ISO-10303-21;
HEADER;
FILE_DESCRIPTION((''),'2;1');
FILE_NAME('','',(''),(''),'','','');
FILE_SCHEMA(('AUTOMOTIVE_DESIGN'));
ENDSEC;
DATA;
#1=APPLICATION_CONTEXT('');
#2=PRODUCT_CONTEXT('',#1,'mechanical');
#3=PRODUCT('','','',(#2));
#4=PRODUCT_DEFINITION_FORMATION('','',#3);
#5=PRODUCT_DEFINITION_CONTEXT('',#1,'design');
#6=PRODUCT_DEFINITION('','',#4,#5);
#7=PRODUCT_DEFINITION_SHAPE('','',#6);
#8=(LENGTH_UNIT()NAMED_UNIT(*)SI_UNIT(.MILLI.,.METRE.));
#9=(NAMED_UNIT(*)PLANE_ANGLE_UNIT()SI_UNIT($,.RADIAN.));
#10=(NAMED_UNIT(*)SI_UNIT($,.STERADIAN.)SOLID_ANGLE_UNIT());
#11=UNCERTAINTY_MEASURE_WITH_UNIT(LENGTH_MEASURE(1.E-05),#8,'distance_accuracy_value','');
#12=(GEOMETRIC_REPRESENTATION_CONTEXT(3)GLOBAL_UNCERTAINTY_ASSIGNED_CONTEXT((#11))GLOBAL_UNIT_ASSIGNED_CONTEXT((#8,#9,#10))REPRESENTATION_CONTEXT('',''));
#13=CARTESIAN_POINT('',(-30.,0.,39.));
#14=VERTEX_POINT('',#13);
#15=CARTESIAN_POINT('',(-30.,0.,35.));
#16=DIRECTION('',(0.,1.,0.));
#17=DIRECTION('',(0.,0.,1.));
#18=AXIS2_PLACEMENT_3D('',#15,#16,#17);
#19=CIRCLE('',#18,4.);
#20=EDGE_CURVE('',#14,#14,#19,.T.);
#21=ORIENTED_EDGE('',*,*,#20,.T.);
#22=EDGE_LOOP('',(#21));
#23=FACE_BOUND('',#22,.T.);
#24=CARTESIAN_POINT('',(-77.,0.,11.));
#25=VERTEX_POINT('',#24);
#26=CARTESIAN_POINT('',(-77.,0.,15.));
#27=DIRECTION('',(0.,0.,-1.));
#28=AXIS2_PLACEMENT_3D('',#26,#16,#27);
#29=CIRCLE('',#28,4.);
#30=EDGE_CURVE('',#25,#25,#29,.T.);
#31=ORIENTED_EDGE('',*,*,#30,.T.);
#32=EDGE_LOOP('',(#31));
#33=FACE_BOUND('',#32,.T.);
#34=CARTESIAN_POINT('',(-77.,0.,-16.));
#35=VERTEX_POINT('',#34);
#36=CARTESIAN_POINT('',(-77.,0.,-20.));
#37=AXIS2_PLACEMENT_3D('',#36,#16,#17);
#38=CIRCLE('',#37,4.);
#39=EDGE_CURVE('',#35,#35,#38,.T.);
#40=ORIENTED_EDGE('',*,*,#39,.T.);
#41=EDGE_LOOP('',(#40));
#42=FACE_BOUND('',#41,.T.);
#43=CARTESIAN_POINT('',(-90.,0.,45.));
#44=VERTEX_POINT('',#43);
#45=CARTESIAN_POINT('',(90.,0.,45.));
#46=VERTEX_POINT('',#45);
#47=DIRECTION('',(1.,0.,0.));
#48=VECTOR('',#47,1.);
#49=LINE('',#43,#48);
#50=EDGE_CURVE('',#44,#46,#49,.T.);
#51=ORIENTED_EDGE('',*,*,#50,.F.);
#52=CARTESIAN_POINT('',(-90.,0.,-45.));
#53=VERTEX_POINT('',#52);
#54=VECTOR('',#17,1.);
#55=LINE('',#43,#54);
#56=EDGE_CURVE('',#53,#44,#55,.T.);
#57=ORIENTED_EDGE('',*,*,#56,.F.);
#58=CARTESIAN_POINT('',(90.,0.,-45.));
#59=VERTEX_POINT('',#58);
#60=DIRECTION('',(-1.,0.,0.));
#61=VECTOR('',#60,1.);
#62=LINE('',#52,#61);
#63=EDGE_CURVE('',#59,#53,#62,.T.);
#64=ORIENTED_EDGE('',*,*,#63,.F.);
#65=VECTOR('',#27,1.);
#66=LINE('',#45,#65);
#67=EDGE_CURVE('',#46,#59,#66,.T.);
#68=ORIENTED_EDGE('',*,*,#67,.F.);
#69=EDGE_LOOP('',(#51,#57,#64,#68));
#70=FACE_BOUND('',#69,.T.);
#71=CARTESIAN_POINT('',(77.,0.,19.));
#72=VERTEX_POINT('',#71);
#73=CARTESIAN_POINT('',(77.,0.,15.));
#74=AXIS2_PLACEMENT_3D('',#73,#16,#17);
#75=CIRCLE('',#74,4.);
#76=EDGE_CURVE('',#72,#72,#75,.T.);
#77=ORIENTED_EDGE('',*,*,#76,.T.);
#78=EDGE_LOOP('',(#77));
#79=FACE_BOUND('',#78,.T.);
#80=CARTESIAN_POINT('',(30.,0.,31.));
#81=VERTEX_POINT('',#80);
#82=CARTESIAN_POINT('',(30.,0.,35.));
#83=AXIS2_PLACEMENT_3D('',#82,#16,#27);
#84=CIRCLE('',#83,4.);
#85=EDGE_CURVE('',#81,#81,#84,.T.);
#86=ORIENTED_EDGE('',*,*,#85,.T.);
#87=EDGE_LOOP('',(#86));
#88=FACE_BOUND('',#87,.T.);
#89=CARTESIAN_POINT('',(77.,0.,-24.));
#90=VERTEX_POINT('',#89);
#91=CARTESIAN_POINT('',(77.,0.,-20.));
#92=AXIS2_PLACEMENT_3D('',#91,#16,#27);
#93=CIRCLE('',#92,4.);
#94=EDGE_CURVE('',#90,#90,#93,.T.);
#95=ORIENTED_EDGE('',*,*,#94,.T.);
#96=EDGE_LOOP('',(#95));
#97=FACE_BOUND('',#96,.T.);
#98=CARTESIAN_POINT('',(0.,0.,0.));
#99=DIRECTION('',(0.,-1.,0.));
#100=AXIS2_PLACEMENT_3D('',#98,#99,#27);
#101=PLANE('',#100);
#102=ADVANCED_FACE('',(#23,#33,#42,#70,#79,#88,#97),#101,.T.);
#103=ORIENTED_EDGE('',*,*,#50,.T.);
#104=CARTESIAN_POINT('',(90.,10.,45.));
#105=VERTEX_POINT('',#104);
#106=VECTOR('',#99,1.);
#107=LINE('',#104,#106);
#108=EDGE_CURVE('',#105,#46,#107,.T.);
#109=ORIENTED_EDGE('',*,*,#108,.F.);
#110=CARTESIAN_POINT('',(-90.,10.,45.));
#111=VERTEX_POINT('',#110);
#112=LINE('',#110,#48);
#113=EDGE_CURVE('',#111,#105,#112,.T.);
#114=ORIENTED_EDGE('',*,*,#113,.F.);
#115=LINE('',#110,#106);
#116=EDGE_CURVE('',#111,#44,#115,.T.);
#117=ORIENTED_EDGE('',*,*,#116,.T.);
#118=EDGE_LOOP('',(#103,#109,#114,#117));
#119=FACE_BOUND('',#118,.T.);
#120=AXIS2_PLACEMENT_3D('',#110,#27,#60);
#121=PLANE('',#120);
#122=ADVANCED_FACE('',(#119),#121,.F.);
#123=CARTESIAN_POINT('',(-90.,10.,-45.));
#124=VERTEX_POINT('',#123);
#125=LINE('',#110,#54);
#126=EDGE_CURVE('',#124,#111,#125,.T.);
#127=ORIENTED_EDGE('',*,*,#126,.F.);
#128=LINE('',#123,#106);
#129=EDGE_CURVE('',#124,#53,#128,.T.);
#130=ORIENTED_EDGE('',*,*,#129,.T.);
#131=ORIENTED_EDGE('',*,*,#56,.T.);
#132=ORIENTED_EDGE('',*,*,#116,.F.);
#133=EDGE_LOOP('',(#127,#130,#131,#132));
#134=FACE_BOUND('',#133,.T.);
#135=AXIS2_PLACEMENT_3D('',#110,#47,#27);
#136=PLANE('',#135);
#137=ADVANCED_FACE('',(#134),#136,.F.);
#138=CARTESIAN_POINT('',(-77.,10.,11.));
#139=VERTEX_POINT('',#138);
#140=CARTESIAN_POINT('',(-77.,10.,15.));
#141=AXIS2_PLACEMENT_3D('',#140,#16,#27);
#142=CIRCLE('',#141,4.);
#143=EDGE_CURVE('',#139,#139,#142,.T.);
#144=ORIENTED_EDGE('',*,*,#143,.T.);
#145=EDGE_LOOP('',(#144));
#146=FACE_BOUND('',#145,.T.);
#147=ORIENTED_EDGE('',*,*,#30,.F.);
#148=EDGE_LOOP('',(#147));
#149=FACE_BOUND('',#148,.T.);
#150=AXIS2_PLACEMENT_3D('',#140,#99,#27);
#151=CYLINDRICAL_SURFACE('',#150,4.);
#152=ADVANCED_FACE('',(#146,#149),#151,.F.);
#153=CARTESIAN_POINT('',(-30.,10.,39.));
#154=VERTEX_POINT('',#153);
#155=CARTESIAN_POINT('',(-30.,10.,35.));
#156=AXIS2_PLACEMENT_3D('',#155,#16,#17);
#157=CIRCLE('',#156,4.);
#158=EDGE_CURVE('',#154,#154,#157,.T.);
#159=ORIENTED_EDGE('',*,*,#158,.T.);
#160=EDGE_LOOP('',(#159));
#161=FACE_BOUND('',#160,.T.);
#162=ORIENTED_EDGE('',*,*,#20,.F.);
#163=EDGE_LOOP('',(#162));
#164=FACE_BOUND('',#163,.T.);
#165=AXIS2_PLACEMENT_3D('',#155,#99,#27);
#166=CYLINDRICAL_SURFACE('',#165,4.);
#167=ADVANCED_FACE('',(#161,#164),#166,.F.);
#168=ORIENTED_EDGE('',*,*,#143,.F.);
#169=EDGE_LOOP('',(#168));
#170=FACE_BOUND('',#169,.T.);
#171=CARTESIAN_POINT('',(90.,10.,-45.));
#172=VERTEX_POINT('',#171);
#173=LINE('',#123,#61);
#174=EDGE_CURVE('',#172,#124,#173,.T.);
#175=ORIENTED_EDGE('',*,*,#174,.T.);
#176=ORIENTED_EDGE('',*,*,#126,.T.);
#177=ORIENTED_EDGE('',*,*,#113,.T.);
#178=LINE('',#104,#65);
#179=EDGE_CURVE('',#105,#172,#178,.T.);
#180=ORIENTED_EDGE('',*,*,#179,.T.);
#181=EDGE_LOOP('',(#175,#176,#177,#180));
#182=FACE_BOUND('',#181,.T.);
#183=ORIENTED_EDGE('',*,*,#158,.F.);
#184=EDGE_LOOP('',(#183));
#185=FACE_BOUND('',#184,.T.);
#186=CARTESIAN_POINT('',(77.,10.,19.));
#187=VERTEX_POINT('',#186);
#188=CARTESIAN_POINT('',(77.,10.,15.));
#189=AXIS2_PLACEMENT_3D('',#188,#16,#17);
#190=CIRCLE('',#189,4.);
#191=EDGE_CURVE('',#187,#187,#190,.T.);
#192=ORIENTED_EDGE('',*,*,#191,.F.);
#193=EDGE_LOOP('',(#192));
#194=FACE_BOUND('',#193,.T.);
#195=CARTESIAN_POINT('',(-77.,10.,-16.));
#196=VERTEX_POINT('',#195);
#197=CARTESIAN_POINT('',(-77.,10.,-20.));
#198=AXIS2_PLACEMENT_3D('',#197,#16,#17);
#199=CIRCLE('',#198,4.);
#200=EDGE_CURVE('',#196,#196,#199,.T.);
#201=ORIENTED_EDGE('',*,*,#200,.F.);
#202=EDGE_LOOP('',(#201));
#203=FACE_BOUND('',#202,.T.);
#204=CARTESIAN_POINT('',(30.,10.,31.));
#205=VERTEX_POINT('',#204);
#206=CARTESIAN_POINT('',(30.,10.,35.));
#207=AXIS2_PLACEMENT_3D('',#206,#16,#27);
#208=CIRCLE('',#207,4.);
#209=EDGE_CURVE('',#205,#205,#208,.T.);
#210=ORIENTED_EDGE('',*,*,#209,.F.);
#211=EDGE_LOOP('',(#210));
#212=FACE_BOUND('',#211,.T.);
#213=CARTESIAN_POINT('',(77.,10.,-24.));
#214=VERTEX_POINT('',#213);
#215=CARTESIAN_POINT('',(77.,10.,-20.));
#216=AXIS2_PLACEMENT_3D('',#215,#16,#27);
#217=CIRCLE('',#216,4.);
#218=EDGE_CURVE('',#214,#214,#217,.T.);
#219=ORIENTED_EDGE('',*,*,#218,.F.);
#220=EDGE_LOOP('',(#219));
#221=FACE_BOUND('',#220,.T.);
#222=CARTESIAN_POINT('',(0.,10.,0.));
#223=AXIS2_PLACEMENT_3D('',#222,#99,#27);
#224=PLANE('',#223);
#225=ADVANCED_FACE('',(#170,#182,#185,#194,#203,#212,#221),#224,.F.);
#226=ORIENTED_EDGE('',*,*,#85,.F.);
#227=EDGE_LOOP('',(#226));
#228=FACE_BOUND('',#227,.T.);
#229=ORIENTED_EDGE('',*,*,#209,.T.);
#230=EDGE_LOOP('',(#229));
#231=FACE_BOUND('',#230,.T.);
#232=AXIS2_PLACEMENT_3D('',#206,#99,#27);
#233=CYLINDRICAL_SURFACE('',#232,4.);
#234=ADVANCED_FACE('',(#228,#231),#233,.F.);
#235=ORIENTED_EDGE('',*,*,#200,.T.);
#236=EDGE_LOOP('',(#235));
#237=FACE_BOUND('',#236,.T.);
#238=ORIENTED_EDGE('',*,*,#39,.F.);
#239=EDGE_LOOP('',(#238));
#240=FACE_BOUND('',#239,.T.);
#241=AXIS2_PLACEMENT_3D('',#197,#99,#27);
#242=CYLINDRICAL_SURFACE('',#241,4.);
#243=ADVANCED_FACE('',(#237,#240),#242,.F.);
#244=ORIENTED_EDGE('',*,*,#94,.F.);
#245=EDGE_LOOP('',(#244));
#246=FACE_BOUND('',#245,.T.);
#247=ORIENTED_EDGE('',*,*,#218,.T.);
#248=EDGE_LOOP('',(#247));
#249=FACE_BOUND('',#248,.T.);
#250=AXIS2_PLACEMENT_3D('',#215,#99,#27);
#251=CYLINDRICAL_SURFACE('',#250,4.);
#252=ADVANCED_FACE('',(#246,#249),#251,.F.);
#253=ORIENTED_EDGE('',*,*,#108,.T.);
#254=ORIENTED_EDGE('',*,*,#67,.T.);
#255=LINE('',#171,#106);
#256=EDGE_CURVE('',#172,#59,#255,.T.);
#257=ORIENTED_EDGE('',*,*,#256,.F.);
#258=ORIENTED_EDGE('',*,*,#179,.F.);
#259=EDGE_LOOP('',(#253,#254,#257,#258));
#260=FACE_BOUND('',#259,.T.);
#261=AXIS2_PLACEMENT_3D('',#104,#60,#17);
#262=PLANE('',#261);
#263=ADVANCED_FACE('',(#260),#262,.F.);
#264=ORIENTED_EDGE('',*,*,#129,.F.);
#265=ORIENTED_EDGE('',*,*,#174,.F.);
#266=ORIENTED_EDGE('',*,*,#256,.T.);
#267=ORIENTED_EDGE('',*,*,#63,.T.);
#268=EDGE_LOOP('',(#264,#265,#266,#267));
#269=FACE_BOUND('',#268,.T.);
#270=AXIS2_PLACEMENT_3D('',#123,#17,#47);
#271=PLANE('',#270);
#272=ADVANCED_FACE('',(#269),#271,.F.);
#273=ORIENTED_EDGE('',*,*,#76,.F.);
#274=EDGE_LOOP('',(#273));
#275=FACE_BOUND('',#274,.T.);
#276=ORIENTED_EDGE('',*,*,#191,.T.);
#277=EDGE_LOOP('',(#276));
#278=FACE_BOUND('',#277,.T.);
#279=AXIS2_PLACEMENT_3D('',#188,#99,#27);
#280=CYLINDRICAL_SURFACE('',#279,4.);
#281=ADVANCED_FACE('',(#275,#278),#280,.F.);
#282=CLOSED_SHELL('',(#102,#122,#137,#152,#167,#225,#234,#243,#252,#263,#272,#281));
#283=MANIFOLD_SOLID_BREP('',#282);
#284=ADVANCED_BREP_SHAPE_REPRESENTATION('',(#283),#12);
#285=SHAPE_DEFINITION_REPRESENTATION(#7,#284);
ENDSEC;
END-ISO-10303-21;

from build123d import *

# Parameters (mm, degrees)
SKETCH1_W           = 180
SKETCH1_H           = 90
SKETCH1_R           = 4
BOSS_EXTRUDE1_DEPTH = 10


with BuildPart() as part:
    # Sketch1 → Boss-Extrude1 (new body)
    with BuildSketch(Plane(origin=(0, 0, 0), x_dir=(1, 0, 0), z_dir=(0, 1, 0))):
        Rectangle(SKETCH1_W, SKETCH1_H)
        with Locations((-77, 20)):
            Circle(SKETCH1_R, mode=Mode.SUBTRACT)
        with Locations((-77, -15)):
            Circle(SKETCH1_R, mode=Mode.SUBTRACT)
        with Locations((-30, -35)):
            Circle(SKETCH1_R, mode=Mode.SUBTRACT)
        with Locations((77, 20)):
            Circle(SKETCH1_R, mode=Mode.SUBTRACT)
        with Locations((77, -15)):
            Circle(SKETCH1_R, mode=Mode.SUBTRACT)
        with Locations((30, -35)):
            Circle(SKETCH1_R, mode=Mode.SUBTRACT)
    extrude(amount=BOSS_EXTRUDE1_DEPTH)


solid = part.part
